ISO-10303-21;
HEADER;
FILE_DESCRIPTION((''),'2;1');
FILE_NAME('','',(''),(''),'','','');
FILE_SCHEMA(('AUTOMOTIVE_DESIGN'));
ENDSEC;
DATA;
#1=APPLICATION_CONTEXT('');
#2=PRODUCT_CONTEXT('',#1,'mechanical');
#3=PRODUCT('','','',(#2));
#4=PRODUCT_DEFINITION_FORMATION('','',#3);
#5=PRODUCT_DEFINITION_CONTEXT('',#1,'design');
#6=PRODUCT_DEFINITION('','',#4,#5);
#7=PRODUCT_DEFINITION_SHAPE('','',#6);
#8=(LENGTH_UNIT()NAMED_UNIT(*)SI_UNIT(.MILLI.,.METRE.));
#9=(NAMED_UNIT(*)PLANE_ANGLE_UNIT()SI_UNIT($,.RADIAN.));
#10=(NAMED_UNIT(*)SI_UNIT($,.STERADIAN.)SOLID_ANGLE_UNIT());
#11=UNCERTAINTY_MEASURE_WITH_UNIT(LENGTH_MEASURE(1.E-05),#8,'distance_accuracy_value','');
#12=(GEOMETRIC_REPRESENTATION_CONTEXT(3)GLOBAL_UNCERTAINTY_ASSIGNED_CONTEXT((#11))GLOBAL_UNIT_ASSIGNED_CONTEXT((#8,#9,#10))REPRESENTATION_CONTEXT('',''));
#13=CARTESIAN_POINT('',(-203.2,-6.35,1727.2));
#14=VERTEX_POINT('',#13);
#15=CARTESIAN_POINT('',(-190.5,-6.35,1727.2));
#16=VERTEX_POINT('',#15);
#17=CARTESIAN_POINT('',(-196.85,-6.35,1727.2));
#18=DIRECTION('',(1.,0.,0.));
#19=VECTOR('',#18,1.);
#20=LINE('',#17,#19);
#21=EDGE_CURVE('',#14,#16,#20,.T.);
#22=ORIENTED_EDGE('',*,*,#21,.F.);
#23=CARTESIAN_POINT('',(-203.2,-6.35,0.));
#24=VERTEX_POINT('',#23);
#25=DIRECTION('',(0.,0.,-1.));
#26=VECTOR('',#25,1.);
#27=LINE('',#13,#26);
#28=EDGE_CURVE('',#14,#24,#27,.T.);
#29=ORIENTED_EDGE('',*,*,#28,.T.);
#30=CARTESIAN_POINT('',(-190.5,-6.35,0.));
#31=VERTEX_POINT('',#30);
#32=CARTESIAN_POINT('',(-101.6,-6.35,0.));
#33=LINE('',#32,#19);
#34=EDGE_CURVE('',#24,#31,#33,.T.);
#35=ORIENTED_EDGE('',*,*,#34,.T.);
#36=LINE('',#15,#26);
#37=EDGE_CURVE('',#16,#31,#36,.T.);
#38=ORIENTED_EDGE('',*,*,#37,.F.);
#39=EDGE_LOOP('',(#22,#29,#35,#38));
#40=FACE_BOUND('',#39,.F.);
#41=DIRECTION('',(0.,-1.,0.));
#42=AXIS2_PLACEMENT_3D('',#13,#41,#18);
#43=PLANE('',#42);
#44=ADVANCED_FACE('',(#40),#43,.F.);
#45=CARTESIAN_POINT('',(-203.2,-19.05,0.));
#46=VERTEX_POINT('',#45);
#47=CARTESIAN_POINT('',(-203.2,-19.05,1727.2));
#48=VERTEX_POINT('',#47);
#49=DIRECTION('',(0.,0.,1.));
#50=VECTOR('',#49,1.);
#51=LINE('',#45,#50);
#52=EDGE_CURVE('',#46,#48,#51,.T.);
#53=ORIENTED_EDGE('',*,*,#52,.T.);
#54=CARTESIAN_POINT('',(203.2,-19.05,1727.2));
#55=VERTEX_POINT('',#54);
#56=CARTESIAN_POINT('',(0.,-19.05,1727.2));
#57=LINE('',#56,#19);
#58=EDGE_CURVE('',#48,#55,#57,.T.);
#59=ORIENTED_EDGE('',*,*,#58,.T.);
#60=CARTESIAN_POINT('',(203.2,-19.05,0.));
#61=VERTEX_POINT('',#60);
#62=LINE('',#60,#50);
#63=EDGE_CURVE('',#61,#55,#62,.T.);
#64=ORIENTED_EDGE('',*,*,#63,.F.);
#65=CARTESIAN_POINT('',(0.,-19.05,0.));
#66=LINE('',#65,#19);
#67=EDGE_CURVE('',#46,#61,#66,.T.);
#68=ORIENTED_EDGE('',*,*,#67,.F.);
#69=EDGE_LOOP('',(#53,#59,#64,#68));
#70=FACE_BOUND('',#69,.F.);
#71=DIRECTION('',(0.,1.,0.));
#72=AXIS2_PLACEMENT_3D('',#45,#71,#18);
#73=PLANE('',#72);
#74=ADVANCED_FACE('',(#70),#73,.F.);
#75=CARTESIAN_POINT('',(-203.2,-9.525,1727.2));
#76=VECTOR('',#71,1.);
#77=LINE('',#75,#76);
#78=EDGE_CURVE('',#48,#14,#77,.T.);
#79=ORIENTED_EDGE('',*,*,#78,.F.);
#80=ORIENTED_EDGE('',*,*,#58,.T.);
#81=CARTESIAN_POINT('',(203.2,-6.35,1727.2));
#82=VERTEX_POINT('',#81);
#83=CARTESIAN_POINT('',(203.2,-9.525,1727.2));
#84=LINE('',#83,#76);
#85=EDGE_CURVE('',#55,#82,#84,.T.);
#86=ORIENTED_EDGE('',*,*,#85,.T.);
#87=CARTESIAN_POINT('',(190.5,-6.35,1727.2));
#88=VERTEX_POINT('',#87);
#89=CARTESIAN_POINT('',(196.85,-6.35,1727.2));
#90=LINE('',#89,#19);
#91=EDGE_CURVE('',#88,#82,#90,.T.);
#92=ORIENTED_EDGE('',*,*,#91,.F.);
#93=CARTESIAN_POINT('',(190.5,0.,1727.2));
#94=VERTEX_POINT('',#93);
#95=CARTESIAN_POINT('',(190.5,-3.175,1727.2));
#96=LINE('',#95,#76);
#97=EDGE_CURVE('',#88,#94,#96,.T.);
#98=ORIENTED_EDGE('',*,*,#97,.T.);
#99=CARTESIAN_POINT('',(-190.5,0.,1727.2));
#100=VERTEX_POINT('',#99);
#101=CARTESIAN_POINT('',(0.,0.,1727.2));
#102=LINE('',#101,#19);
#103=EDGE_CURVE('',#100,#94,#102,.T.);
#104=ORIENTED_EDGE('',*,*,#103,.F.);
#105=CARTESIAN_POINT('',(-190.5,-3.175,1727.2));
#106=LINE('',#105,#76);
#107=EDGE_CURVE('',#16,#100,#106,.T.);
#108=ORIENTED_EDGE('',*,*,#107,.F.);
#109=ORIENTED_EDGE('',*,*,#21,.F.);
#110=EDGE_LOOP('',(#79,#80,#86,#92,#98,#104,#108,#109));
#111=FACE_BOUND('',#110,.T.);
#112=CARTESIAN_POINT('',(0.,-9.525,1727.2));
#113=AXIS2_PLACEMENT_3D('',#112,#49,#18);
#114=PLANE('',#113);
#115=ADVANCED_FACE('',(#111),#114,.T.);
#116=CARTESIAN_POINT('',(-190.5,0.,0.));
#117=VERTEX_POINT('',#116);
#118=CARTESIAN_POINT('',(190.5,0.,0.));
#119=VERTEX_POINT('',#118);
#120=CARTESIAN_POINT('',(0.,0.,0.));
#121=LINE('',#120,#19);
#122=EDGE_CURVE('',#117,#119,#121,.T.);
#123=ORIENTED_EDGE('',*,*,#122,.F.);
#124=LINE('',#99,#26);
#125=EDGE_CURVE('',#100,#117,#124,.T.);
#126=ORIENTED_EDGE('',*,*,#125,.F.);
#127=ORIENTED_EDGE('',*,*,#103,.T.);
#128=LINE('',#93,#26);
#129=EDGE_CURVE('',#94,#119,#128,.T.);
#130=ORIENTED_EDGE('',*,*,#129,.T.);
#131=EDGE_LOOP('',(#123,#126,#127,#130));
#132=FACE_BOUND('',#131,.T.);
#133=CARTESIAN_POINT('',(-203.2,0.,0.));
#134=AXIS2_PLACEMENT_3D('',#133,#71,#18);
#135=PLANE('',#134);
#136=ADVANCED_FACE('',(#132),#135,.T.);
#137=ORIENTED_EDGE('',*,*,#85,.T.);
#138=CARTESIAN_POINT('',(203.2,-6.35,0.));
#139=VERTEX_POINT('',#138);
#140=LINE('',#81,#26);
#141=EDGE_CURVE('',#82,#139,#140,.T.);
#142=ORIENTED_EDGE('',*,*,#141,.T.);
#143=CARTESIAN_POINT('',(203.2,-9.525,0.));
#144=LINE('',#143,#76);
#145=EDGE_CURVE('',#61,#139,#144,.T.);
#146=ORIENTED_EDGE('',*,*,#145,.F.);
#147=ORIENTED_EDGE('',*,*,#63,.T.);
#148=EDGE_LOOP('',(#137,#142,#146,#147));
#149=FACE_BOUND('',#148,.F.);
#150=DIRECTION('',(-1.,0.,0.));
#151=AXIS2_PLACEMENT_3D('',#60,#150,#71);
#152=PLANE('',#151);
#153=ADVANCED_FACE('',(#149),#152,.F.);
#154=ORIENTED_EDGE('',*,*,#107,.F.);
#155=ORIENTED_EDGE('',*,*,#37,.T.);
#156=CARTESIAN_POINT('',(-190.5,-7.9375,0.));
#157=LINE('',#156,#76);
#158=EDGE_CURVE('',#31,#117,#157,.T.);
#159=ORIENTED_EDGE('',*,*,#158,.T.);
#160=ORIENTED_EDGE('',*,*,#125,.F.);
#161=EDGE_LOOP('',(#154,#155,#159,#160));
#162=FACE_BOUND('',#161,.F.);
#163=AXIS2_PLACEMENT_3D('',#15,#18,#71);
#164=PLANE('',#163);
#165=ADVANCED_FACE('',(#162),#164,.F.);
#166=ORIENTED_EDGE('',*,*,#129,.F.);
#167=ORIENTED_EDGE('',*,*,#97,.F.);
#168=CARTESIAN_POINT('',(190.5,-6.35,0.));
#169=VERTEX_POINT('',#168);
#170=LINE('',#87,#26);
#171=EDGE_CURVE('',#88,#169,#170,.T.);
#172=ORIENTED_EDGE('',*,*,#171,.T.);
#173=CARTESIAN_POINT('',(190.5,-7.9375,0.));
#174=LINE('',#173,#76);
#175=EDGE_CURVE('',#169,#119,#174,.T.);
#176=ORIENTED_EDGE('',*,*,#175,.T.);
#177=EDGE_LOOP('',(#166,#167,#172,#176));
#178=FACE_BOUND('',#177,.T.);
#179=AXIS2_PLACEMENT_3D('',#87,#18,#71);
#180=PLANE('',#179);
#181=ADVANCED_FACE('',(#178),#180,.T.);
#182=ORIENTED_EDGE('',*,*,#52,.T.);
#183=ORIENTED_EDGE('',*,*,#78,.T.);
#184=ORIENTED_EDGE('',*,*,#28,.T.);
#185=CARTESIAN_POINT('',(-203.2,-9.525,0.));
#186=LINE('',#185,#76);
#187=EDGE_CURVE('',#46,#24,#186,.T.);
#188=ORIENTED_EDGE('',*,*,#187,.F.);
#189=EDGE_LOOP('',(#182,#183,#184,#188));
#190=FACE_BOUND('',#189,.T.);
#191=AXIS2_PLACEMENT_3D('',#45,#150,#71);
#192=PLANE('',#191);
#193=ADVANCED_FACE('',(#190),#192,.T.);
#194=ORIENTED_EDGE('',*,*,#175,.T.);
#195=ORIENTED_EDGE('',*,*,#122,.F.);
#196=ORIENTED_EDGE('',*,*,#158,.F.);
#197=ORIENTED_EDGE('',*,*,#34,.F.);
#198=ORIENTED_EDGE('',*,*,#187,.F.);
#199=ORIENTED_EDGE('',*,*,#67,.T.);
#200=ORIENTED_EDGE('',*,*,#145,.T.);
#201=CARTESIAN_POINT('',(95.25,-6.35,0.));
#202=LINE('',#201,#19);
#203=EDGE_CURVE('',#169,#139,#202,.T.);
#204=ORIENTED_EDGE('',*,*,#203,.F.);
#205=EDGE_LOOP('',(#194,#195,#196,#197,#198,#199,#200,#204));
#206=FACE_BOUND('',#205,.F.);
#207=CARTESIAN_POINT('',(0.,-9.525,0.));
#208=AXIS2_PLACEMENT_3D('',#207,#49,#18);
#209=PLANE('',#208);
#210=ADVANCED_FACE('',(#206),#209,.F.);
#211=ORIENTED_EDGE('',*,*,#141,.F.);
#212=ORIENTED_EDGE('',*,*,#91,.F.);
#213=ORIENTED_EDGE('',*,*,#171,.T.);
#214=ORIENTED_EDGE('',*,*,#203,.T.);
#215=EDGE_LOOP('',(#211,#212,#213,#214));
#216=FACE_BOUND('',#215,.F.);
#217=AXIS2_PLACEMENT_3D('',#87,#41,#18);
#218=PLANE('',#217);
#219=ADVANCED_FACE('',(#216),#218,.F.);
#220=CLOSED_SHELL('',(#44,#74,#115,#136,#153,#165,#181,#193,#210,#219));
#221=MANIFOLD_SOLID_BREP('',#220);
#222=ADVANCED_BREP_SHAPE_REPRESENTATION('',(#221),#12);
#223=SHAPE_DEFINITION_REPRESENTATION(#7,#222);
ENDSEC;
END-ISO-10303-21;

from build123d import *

# Parameters (mm, degrees)
F0_W       = 406.4
F0_H       = 19.05
F1_DEPTH   = 1727.2
F2_W       = 12.7
F2_H       = 6.35
F1_FACE1_W = 406.4
F1_FACE1_H = 19.05
F3_DEPTH   = 1727.201
F4_W       = 12.7
F4_H       = 6.35
F5_DEPTH   = 1727.201


with BuildPart() as f1:
    # F0 (on Top) → F1 (new body)
    with BuildSketch(Plane.XY):
        with Locations((0, -9.525)):
            Rectangle(F0_W, F0_H)
    extrude(amount=F1_DEPTH)

    # F2 (on face) + F1_face1 (on face) → F3 (cut, through all)
    with BuildSketch(Plane.XY.offset(1727.2)):
        with Locations((196.85, -3.175)):
            Rectangle(F2_W, F2_H)
    with BuildSketch(Plane(origin=(0, -9.525, 0), x_dir=(1, 0, 0), z_dir=(0, 0, -1))):
        Rectangle(F1_FACE1_W, F1_FACE1_H)
    extrude(amount=-F3_DEPTH, dir=(0, 0, 1), mode=Mode.SUBTRACT)

    # F4 (on face) → F5 (cut, through all)
    with BuildSketch(Plane.XY.offset(1727.2)):
        with Locations((-196.85, -3.175)):
            Rectangle(F4_W, F4_H)
    extrude(amount=-F5_DEPTH, mode=Mode.SUBTRACT)


solid = f1.part
